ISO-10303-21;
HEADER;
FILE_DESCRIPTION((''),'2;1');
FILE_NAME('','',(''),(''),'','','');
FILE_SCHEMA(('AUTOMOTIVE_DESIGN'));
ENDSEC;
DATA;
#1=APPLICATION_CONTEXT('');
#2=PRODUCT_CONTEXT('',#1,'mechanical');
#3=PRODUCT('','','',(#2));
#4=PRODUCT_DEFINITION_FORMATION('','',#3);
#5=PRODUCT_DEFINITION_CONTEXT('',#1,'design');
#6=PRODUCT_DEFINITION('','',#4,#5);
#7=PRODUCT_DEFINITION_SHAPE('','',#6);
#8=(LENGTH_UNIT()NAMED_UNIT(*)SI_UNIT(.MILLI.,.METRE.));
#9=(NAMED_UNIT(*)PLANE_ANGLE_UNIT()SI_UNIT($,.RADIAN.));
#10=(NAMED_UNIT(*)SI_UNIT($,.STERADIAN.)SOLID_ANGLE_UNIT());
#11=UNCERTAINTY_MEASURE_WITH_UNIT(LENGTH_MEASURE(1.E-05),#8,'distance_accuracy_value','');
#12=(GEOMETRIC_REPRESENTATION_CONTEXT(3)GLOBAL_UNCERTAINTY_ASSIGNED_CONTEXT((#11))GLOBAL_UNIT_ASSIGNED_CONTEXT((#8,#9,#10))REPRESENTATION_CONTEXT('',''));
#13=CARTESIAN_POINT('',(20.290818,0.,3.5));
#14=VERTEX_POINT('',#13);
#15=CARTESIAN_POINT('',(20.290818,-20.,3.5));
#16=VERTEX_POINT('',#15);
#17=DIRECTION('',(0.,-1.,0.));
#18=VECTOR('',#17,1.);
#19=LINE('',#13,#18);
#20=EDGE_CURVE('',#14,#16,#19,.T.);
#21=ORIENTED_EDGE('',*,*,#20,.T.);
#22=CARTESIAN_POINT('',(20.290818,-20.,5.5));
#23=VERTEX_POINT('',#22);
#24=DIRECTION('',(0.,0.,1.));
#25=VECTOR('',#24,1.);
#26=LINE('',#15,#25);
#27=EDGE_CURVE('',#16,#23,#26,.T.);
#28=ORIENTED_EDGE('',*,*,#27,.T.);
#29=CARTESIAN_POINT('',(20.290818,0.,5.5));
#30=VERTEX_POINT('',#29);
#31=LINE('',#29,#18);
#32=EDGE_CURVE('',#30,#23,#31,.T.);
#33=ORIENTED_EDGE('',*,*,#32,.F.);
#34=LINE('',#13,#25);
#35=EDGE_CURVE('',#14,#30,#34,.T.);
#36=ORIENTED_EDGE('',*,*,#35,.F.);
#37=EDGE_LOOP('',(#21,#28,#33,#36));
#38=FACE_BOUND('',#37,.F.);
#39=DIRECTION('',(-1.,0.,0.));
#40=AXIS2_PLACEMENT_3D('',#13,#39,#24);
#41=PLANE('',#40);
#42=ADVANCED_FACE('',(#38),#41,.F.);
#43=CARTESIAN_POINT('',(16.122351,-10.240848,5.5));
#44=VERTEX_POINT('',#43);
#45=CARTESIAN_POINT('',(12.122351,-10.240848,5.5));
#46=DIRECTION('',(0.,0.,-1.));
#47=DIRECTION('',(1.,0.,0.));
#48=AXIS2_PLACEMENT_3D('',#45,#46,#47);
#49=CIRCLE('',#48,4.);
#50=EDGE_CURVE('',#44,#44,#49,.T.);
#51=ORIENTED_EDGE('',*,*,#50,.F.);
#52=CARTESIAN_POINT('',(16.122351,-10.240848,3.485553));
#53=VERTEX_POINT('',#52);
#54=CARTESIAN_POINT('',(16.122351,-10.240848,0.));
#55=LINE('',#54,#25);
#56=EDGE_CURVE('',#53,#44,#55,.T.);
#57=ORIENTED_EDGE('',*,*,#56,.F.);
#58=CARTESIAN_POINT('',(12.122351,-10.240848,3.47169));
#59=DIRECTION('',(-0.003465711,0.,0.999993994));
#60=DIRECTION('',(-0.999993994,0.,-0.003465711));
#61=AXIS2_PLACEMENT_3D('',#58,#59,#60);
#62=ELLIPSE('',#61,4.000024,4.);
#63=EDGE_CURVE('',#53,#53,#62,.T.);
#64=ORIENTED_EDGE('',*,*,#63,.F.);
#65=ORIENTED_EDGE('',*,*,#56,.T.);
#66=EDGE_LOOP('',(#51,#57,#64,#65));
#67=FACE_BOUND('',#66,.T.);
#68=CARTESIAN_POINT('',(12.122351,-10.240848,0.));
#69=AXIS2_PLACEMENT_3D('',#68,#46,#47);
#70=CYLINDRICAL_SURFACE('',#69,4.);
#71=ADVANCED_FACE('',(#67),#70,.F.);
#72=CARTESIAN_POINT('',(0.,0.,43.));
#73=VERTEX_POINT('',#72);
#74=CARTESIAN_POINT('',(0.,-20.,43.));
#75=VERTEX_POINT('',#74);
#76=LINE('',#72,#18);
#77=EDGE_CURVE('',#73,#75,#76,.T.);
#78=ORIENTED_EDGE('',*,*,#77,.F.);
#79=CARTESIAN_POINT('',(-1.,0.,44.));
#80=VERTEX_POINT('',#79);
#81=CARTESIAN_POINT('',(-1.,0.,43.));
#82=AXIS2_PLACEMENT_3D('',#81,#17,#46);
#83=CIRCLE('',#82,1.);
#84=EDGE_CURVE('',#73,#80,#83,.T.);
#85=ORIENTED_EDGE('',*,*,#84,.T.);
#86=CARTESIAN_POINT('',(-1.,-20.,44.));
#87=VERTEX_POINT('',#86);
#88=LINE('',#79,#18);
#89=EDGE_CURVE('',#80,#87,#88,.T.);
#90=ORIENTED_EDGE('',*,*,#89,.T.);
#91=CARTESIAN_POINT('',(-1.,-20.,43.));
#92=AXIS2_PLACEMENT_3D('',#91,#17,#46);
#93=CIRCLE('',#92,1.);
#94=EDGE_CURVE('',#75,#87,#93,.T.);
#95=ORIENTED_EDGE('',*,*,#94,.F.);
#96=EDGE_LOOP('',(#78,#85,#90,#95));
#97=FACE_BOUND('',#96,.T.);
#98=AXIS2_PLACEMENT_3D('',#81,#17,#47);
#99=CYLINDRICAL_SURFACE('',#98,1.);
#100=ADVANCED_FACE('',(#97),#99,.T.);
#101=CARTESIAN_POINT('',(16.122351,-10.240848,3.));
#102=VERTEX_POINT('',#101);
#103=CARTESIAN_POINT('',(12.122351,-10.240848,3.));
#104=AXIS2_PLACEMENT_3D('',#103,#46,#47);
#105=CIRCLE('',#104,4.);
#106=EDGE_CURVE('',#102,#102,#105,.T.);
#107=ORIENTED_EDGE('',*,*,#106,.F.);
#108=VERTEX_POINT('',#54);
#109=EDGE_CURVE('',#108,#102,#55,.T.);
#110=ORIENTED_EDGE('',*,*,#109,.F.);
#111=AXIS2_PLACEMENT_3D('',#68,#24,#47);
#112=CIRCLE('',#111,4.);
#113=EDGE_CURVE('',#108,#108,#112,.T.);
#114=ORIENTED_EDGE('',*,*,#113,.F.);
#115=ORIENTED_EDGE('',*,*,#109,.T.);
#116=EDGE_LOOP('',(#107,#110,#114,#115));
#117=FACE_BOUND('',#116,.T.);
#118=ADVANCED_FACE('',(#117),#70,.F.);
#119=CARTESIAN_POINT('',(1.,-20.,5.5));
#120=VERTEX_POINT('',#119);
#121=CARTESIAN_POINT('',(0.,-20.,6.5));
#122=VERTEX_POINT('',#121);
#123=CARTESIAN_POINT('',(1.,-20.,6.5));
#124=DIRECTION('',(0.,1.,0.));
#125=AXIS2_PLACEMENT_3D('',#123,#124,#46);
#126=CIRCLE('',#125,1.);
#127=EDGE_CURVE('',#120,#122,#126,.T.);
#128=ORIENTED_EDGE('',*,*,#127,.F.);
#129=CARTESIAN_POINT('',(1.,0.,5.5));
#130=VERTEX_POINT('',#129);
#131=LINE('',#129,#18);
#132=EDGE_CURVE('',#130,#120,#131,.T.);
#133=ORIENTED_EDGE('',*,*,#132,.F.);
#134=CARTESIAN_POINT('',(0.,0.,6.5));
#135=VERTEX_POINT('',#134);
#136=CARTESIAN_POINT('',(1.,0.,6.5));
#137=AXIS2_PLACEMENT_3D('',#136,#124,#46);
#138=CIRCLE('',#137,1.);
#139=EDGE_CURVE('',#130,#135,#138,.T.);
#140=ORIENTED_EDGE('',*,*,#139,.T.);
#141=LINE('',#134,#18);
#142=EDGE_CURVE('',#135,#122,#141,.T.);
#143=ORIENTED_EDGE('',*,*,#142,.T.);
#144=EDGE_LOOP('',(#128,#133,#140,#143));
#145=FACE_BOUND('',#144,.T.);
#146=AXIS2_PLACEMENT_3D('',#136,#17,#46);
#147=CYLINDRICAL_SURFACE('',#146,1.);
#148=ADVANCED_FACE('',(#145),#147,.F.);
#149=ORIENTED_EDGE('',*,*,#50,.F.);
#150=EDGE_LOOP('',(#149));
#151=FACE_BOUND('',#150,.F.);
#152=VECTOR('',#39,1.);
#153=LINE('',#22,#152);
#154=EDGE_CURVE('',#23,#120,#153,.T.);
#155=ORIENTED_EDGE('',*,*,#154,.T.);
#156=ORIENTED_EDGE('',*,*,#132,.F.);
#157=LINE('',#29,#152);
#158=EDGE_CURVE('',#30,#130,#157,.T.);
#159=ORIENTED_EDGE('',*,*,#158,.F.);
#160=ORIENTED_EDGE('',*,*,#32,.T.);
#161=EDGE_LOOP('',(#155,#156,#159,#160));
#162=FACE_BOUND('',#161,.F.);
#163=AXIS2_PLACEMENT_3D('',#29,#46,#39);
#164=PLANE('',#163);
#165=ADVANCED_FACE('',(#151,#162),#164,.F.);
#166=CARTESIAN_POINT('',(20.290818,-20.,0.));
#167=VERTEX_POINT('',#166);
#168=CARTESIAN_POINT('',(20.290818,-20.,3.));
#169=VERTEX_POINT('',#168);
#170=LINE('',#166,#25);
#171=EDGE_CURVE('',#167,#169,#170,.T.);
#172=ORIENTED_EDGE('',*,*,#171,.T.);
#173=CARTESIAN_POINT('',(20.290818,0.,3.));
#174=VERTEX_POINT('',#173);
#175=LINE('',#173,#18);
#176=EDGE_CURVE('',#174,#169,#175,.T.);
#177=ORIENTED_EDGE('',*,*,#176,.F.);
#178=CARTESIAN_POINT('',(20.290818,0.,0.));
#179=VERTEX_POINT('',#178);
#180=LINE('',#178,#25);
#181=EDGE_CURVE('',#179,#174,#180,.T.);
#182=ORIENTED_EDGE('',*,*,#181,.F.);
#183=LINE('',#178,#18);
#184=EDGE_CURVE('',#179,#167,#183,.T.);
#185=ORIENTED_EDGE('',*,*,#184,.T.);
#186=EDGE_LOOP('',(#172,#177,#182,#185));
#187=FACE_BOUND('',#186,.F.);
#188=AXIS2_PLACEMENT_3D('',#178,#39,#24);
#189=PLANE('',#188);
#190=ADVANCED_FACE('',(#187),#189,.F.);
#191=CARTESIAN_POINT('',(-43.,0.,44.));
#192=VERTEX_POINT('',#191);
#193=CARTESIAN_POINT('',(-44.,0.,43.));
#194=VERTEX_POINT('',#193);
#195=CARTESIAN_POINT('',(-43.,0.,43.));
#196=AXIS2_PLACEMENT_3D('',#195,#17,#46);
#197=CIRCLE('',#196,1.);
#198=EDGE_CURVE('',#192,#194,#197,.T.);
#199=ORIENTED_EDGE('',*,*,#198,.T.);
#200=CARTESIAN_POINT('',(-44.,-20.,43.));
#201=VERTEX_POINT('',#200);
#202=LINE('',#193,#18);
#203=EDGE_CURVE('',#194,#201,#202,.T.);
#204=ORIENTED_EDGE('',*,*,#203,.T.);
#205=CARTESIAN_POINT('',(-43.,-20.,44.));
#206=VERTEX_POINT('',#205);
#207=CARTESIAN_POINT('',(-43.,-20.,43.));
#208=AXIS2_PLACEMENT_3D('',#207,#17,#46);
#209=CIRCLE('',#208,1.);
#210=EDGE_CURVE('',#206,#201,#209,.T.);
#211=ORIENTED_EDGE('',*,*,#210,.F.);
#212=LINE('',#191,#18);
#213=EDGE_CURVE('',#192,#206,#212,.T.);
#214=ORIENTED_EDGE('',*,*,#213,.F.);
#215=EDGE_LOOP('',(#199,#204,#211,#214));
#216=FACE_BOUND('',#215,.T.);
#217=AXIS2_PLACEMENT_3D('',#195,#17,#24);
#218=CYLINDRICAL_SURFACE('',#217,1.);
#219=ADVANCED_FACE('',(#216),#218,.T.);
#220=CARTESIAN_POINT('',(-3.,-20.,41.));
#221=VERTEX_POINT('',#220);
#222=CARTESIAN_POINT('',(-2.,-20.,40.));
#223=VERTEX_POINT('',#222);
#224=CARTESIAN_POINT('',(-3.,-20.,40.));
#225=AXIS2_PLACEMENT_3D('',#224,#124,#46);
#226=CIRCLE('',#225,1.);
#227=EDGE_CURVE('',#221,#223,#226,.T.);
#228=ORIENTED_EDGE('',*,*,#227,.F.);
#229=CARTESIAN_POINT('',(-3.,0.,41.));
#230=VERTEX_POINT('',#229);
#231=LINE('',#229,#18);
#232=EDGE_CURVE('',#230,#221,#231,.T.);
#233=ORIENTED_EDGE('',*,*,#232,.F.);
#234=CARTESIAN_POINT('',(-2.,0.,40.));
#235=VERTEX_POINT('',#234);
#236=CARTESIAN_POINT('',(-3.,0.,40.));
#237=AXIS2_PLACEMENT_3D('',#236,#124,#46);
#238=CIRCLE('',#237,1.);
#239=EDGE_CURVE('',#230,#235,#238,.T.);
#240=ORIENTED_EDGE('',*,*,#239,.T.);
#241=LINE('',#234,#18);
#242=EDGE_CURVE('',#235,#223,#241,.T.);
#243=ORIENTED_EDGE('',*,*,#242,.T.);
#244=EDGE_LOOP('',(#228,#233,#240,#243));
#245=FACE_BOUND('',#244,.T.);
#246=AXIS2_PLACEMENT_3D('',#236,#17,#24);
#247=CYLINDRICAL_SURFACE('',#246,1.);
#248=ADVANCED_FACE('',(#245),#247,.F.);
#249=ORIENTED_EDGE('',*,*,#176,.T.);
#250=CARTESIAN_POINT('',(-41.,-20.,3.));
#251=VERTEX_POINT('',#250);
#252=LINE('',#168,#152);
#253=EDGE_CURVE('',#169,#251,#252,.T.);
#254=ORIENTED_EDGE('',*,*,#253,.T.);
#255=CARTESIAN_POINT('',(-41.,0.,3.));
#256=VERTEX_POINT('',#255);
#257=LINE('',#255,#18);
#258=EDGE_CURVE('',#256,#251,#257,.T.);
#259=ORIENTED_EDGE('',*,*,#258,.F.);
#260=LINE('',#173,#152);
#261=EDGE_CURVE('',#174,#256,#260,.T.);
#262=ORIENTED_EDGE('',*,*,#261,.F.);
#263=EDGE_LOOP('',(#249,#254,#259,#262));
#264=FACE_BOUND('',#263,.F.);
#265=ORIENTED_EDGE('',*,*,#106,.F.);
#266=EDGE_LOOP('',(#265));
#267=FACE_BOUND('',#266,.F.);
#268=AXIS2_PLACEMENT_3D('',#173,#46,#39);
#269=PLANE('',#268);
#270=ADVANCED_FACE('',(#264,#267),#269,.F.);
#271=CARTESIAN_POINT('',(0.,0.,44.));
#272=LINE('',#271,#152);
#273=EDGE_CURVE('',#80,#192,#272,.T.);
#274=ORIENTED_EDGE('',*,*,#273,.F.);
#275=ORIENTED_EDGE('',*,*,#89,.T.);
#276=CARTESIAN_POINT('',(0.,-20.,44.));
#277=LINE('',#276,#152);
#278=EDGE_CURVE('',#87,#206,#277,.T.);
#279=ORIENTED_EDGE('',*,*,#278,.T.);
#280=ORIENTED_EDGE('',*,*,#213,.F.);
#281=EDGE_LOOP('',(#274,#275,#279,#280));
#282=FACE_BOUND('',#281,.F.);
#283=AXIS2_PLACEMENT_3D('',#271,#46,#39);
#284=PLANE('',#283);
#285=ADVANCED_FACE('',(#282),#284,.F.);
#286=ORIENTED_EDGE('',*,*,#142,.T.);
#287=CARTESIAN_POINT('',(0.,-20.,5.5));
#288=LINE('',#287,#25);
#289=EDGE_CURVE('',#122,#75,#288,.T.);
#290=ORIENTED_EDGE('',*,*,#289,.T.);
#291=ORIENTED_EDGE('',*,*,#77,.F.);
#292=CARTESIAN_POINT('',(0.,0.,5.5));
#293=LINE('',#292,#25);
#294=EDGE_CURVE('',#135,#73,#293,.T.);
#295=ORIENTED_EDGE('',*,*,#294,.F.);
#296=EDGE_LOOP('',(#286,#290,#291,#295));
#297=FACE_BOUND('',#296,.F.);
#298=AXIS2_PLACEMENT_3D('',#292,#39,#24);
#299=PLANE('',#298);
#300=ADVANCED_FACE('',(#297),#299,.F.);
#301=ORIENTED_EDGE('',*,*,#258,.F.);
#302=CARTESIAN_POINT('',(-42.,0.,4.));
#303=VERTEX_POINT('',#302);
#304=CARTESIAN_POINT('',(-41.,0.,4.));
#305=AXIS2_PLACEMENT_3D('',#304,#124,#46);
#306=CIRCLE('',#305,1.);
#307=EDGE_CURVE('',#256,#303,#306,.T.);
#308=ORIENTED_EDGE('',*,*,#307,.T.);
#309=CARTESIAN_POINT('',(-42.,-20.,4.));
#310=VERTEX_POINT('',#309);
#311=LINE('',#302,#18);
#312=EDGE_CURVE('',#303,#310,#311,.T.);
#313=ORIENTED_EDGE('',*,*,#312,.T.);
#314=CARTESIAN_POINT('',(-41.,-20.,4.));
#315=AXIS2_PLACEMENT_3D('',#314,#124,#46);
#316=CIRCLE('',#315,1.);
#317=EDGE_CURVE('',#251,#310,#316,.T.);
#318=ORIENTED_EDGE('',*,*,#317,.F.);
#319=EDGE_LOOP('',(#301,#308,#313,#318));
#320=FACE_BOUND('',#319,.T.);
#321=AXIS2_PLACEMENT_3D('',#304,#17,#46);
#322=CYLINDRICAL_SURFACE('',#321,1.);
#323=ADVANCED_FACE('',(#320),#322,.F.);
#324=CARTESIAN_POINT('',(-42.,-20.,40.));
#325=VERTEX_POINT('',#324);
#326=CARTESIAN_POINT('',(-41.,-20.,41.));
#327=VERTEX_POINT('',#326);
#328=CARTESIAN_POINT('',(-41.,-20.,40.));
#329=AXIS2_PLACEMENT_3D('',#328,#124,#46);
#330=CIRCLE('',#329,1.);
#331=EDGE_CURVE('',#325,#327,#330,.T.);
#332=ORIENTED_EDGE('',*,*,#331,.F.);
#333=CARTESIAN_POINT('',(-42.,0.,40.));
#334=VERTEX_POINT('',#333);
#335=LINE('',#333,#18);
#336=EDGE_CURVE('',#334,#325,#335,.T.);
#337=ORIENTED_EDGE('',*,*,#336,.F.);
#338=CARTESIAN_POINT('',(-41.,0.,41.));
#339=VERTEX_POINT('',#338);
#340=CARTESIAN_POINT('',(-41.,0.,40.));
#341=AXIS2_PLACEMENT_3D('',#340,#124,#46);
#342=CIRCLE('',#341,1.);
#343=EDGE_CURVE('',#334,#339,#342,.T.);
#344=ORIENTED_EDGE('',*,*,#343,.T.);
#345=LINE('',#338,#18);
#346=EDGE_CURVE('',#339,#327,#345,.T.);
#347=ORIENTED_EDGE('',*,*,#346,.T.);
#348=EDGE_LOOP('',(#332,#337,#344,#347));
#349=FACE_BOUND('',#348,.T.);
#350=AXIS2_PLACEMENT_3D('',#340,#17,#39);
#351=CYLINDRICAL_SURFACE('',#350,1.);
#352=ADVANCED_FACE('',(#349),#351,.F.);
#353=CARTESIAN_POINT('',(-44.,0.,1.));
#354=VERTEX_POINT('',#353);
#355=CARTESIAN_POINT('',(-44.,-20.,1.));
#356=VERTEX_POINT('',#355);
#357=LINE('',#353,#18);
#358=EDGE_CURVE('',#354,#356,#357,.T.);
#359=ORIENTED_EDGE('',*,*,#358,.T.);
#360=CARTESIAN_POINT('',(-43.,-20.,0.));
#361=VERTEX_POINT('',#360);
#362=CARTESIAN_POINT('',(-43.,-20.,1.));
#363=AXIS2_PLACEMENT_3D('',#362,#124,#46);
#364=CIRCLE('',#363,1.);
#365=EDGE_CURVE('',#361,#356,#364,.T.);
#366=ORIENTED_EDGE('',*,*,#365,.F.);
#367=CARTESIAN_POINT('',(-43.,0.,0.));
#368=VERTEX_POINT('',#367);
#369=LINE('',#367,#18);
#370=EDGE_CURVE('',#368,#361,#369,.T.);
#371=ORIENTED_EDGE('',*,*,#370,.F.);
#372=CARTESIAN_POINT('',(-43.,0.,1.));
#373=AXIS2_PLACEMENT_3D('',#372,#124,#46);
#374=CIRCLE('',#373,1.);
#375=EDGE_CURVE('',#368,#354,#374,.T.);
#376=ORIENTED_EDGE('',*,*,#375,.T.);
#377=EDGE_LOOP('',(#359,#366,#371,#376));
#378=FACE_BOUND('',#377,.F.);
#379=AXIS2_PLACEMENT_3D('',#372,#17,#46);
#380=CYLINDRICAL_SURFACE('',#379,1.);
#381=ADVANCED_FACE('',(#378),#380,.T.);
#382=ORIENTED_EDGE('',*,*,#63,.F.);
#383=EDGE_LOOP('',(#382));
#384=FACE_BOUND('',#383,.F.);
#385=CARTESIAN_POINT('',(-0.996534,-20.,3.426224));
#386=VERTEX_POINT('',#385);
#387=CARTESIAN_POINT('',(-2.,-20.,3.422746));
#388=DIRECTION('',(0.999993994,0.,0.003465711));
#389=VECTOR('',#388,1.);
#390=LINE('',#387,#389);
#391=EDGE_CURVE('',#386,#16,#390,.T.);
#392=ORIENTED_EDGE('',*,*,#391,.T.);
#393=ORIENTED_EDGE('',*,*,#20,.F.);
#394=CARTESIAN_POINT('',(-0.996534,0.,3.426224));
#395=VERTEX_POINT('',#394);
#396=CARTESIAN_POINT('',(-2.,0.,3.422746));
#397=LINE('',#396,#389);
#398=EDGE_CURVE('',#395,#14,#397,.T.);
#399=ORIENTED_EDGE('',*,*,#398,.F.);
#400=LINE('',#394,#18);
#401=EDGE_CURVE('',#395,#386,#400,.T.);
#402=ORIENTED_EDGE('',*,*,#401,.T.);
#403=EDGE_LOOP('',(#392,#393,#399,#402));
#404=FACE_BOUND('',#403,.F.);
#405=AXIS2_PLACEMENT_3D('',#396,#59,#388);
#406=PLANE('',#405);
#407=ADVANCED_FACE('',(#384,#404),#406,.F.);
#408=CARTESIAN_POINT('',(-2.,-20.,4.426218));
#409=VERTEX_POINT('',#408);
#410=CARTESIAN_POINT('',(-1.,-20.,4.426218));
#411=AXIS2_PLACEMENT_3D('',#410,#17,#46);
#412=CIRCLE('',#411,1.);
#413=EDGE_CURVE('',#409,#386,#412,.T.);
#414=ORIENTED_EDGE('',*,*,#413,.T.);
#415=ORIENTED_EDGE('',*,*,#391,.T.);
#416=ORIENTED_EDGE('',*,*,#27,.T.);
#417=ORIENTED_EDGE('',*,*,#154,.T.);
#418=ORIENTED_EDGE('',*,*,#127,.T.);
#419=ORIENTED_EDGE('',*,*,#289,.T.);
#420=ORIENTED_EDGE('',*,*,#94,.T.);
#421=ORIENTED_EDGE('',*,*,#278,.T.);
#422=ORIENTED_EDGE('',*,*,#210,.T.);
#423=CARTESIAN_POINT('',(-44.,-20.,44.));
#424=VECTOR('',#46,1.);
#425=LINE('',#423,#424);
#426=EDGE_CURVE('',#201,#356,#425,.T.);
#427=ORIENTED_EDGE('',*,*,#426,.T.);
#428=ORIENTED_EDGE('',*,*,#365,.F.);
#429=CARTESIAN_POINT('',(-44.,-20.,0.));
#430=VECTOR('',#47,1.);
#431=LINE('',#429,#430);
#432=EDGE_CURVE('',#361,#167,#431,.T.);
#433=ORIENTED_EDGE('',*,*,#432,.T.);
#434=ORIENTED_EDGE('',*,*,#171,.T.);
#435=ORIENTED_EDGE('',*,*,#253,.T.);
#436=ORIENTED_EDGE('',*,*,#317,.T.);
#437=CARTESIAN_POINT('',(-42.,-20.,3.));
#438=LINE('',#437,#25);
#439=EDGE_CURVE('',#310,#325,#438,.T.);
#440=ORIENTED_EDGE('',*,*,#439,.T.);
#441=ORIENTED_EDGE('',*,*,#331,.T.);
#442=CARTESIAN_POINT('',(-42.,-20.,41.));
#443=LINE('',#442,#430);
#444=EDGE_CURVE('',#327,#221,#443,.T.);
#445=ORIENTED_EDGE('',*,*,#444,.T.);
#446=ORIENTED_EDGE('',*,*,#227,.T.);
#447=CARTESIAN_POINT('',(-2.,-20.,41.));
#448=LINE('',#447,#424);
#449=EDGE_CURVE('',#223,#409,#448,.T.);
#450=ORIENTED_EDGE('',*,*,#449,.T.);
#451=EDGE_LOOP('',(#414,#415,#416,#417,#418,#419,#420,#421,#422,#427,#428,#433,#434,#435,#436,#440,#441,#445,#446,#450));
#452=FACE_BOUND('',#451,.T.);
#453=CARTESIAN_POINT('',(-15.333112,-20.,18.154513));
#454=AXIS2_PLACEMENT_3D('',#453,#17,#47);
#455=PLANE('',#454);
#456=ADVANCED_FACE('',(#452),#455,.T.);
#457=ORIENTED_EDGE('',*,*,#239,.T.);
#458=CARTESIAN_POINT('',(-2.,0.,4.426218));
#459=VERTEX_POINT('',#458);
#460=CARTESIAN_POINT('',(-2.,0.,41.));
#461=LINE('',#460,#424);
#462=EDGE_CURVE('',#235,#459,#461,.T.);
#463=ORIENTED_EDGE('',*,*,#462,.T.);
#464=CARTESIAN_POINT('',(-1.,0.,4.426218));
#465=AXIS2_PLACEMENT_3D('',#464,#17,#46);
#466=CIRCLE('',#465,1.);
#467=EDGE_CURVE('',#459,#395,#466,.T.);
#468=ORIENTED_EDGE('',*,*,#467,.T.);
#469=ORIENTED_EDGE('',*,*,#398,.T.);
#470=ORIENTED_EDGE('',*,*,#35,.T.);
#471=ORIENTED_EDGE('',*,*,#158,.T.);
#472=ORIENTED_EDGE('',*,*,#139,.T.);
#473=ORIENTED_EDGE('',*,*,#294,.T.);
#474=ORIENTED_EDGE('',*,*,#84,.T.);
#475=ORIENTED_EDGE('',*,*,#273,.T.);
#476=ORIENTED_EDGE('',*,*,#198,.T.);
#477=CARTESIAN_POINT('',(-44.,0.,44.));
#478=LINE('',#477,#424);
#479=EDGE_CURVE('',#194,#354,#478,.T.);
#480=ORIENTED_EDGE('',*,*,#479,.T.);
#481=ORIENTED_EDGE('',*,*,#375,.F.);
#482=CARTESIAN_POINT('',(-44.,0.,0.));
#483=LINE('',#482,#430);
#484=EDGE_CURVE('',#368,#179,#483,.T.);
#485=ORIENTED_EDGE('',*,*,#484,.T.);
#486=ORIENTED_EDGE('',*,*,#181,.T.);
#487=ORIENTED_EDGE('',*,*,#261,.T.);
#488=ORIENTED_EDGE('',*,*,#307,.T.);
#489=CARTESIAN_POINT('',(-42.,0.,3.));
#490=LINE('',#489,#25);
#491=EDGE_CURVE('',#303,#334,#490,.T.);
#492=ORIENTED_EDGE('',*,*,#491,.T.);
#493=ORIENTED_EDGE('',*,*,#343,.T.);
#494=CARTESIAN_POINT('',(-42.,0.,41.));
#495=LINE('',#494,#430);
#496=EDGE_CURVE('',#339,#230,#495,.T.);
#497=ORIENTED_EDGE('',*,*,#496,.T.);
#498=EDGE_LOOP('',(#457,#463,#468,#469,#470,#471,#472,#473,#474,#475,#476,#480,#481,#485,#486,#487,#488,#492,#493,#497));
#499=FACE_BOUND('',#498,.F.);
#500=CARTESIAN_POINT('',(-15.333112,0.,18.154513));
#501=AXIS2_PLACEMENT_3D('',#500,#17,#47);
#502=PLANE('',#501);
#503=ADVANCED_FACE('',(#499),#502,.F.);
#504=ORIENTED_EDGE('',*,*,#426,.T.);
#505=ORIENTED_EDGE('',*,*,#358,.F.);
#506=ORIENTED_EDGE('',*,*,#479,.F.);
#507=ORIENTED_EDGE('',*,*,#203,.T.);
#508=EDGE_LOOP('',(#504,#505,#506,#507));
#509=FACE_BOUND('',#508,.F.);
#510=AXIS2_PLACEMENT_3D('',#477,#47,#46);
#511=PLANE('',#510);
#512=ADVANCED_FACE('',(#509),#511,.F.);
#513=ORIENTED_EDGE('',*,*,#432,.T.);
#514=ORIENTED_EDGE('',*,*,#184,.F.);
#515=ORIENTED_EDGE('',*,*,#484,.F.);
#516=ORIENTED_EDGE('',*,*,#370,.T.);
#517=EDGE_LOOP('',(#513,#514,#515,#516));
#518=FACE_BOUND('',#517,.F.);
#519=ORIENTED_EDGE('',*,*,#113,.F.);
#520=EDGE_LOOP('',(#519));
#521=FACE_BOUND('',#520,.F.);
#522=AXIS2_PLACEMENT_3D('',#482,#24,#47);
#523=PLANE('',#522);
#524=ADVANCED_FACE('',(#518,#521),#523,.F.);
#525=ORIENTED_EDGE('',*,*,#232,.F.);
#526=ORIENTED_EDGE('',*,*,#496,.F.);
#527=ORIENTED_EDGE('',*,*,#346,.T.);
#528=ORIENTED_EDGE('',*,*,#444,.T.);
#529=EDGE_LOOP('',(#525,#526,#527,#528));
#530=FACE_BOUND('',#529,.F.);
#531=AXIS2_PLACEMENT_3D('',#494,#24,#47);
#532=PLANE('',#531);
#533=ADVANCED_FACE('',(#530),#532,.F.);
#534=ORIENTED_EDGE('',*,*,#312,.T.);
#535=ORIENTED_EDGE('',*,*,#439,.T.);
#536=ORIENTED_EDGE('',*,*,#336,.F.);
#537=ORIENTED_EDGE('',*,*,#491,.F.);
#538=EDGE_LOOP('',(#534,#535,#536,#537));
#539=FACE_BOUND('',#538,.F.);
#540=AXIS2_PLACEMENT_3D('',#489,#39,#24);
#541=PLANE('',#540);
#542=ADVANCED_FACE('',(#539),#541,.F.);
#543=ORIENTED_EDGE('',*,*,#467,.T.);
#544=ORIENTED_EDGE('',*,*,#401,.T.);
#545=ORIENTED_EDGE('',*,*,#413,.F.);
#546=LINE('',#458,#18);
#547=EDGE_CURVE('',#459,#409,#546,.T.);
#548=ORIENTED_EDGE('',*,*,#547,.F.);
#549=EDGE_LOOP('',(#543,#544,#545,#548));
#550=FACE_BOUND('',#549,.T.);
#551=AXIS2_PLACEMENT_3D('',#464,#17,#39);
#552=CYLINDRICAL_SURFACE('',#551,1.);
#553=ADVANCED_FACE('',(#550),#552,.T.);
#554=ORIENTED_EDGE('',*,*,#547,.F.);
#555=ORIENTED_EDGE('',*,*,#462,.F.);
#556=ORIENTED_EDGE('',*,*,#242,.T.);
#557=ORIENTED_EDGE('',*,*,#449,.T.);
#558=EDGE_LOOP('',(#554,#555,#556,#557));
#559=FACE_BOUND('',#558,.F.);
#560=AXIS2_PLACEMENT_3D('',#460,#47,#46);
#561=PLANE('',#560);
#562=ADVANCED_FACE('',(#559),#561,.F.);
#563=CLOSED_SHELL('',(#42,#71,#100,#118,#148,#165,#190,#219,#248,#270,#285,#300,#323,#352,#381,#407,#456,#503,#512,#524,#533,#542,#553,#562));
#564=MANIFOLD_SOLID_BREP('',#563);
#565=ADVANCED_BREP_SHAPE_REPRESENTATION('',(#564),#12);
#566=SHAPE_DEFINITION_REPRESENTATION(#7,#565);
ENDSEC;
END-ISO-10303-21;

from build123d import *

# Parameters (mm, degrees)
F1_DEPTH = 20
F2_R     = 1
F3_R     = 4
F4_DEPTH = 23.2


with BuildPart() as f1:
    # F0 (on Front) → F1 (new body)
    with BuildSketch(Plane.XZ):
        Polygon((-44, 0), (20.290818, 0), (20.290818, 3), (-2, 3), (-42, 3), (-42, 41), (-2, 41), (-2, 3.422746), (20.290818, 3.5), (20.290818, 5.5), (0, 5.5), (0, 44), (-44, 44), align=None)
    extrude(amount=F1_DEPTH)

    # F2
    f2_edges = [f1.edges().sort_by_distance(p)[0] for p in [
        (-2, -10, 41),
        (-42, -10, 41),
        (-42, -10, 3),
        (0, -10, 5.5),
        (0, -10, 44),
        (-44, -10, 44),
        (-44, -10, 0),
        (-2, -10, 3.422746),
    ]]
    fillet(f2_edges, radius=F2_R)

    # F3 (on Top) → F4 (cut)
    with BuildSketch(Plane.XY):
        with Locations((12.122351, -10.240848)):
            Circle(F3_R)
    extrude(amount=F4_DEPTH, mode=Mode.SUBTRACT)


solid = f1.part
